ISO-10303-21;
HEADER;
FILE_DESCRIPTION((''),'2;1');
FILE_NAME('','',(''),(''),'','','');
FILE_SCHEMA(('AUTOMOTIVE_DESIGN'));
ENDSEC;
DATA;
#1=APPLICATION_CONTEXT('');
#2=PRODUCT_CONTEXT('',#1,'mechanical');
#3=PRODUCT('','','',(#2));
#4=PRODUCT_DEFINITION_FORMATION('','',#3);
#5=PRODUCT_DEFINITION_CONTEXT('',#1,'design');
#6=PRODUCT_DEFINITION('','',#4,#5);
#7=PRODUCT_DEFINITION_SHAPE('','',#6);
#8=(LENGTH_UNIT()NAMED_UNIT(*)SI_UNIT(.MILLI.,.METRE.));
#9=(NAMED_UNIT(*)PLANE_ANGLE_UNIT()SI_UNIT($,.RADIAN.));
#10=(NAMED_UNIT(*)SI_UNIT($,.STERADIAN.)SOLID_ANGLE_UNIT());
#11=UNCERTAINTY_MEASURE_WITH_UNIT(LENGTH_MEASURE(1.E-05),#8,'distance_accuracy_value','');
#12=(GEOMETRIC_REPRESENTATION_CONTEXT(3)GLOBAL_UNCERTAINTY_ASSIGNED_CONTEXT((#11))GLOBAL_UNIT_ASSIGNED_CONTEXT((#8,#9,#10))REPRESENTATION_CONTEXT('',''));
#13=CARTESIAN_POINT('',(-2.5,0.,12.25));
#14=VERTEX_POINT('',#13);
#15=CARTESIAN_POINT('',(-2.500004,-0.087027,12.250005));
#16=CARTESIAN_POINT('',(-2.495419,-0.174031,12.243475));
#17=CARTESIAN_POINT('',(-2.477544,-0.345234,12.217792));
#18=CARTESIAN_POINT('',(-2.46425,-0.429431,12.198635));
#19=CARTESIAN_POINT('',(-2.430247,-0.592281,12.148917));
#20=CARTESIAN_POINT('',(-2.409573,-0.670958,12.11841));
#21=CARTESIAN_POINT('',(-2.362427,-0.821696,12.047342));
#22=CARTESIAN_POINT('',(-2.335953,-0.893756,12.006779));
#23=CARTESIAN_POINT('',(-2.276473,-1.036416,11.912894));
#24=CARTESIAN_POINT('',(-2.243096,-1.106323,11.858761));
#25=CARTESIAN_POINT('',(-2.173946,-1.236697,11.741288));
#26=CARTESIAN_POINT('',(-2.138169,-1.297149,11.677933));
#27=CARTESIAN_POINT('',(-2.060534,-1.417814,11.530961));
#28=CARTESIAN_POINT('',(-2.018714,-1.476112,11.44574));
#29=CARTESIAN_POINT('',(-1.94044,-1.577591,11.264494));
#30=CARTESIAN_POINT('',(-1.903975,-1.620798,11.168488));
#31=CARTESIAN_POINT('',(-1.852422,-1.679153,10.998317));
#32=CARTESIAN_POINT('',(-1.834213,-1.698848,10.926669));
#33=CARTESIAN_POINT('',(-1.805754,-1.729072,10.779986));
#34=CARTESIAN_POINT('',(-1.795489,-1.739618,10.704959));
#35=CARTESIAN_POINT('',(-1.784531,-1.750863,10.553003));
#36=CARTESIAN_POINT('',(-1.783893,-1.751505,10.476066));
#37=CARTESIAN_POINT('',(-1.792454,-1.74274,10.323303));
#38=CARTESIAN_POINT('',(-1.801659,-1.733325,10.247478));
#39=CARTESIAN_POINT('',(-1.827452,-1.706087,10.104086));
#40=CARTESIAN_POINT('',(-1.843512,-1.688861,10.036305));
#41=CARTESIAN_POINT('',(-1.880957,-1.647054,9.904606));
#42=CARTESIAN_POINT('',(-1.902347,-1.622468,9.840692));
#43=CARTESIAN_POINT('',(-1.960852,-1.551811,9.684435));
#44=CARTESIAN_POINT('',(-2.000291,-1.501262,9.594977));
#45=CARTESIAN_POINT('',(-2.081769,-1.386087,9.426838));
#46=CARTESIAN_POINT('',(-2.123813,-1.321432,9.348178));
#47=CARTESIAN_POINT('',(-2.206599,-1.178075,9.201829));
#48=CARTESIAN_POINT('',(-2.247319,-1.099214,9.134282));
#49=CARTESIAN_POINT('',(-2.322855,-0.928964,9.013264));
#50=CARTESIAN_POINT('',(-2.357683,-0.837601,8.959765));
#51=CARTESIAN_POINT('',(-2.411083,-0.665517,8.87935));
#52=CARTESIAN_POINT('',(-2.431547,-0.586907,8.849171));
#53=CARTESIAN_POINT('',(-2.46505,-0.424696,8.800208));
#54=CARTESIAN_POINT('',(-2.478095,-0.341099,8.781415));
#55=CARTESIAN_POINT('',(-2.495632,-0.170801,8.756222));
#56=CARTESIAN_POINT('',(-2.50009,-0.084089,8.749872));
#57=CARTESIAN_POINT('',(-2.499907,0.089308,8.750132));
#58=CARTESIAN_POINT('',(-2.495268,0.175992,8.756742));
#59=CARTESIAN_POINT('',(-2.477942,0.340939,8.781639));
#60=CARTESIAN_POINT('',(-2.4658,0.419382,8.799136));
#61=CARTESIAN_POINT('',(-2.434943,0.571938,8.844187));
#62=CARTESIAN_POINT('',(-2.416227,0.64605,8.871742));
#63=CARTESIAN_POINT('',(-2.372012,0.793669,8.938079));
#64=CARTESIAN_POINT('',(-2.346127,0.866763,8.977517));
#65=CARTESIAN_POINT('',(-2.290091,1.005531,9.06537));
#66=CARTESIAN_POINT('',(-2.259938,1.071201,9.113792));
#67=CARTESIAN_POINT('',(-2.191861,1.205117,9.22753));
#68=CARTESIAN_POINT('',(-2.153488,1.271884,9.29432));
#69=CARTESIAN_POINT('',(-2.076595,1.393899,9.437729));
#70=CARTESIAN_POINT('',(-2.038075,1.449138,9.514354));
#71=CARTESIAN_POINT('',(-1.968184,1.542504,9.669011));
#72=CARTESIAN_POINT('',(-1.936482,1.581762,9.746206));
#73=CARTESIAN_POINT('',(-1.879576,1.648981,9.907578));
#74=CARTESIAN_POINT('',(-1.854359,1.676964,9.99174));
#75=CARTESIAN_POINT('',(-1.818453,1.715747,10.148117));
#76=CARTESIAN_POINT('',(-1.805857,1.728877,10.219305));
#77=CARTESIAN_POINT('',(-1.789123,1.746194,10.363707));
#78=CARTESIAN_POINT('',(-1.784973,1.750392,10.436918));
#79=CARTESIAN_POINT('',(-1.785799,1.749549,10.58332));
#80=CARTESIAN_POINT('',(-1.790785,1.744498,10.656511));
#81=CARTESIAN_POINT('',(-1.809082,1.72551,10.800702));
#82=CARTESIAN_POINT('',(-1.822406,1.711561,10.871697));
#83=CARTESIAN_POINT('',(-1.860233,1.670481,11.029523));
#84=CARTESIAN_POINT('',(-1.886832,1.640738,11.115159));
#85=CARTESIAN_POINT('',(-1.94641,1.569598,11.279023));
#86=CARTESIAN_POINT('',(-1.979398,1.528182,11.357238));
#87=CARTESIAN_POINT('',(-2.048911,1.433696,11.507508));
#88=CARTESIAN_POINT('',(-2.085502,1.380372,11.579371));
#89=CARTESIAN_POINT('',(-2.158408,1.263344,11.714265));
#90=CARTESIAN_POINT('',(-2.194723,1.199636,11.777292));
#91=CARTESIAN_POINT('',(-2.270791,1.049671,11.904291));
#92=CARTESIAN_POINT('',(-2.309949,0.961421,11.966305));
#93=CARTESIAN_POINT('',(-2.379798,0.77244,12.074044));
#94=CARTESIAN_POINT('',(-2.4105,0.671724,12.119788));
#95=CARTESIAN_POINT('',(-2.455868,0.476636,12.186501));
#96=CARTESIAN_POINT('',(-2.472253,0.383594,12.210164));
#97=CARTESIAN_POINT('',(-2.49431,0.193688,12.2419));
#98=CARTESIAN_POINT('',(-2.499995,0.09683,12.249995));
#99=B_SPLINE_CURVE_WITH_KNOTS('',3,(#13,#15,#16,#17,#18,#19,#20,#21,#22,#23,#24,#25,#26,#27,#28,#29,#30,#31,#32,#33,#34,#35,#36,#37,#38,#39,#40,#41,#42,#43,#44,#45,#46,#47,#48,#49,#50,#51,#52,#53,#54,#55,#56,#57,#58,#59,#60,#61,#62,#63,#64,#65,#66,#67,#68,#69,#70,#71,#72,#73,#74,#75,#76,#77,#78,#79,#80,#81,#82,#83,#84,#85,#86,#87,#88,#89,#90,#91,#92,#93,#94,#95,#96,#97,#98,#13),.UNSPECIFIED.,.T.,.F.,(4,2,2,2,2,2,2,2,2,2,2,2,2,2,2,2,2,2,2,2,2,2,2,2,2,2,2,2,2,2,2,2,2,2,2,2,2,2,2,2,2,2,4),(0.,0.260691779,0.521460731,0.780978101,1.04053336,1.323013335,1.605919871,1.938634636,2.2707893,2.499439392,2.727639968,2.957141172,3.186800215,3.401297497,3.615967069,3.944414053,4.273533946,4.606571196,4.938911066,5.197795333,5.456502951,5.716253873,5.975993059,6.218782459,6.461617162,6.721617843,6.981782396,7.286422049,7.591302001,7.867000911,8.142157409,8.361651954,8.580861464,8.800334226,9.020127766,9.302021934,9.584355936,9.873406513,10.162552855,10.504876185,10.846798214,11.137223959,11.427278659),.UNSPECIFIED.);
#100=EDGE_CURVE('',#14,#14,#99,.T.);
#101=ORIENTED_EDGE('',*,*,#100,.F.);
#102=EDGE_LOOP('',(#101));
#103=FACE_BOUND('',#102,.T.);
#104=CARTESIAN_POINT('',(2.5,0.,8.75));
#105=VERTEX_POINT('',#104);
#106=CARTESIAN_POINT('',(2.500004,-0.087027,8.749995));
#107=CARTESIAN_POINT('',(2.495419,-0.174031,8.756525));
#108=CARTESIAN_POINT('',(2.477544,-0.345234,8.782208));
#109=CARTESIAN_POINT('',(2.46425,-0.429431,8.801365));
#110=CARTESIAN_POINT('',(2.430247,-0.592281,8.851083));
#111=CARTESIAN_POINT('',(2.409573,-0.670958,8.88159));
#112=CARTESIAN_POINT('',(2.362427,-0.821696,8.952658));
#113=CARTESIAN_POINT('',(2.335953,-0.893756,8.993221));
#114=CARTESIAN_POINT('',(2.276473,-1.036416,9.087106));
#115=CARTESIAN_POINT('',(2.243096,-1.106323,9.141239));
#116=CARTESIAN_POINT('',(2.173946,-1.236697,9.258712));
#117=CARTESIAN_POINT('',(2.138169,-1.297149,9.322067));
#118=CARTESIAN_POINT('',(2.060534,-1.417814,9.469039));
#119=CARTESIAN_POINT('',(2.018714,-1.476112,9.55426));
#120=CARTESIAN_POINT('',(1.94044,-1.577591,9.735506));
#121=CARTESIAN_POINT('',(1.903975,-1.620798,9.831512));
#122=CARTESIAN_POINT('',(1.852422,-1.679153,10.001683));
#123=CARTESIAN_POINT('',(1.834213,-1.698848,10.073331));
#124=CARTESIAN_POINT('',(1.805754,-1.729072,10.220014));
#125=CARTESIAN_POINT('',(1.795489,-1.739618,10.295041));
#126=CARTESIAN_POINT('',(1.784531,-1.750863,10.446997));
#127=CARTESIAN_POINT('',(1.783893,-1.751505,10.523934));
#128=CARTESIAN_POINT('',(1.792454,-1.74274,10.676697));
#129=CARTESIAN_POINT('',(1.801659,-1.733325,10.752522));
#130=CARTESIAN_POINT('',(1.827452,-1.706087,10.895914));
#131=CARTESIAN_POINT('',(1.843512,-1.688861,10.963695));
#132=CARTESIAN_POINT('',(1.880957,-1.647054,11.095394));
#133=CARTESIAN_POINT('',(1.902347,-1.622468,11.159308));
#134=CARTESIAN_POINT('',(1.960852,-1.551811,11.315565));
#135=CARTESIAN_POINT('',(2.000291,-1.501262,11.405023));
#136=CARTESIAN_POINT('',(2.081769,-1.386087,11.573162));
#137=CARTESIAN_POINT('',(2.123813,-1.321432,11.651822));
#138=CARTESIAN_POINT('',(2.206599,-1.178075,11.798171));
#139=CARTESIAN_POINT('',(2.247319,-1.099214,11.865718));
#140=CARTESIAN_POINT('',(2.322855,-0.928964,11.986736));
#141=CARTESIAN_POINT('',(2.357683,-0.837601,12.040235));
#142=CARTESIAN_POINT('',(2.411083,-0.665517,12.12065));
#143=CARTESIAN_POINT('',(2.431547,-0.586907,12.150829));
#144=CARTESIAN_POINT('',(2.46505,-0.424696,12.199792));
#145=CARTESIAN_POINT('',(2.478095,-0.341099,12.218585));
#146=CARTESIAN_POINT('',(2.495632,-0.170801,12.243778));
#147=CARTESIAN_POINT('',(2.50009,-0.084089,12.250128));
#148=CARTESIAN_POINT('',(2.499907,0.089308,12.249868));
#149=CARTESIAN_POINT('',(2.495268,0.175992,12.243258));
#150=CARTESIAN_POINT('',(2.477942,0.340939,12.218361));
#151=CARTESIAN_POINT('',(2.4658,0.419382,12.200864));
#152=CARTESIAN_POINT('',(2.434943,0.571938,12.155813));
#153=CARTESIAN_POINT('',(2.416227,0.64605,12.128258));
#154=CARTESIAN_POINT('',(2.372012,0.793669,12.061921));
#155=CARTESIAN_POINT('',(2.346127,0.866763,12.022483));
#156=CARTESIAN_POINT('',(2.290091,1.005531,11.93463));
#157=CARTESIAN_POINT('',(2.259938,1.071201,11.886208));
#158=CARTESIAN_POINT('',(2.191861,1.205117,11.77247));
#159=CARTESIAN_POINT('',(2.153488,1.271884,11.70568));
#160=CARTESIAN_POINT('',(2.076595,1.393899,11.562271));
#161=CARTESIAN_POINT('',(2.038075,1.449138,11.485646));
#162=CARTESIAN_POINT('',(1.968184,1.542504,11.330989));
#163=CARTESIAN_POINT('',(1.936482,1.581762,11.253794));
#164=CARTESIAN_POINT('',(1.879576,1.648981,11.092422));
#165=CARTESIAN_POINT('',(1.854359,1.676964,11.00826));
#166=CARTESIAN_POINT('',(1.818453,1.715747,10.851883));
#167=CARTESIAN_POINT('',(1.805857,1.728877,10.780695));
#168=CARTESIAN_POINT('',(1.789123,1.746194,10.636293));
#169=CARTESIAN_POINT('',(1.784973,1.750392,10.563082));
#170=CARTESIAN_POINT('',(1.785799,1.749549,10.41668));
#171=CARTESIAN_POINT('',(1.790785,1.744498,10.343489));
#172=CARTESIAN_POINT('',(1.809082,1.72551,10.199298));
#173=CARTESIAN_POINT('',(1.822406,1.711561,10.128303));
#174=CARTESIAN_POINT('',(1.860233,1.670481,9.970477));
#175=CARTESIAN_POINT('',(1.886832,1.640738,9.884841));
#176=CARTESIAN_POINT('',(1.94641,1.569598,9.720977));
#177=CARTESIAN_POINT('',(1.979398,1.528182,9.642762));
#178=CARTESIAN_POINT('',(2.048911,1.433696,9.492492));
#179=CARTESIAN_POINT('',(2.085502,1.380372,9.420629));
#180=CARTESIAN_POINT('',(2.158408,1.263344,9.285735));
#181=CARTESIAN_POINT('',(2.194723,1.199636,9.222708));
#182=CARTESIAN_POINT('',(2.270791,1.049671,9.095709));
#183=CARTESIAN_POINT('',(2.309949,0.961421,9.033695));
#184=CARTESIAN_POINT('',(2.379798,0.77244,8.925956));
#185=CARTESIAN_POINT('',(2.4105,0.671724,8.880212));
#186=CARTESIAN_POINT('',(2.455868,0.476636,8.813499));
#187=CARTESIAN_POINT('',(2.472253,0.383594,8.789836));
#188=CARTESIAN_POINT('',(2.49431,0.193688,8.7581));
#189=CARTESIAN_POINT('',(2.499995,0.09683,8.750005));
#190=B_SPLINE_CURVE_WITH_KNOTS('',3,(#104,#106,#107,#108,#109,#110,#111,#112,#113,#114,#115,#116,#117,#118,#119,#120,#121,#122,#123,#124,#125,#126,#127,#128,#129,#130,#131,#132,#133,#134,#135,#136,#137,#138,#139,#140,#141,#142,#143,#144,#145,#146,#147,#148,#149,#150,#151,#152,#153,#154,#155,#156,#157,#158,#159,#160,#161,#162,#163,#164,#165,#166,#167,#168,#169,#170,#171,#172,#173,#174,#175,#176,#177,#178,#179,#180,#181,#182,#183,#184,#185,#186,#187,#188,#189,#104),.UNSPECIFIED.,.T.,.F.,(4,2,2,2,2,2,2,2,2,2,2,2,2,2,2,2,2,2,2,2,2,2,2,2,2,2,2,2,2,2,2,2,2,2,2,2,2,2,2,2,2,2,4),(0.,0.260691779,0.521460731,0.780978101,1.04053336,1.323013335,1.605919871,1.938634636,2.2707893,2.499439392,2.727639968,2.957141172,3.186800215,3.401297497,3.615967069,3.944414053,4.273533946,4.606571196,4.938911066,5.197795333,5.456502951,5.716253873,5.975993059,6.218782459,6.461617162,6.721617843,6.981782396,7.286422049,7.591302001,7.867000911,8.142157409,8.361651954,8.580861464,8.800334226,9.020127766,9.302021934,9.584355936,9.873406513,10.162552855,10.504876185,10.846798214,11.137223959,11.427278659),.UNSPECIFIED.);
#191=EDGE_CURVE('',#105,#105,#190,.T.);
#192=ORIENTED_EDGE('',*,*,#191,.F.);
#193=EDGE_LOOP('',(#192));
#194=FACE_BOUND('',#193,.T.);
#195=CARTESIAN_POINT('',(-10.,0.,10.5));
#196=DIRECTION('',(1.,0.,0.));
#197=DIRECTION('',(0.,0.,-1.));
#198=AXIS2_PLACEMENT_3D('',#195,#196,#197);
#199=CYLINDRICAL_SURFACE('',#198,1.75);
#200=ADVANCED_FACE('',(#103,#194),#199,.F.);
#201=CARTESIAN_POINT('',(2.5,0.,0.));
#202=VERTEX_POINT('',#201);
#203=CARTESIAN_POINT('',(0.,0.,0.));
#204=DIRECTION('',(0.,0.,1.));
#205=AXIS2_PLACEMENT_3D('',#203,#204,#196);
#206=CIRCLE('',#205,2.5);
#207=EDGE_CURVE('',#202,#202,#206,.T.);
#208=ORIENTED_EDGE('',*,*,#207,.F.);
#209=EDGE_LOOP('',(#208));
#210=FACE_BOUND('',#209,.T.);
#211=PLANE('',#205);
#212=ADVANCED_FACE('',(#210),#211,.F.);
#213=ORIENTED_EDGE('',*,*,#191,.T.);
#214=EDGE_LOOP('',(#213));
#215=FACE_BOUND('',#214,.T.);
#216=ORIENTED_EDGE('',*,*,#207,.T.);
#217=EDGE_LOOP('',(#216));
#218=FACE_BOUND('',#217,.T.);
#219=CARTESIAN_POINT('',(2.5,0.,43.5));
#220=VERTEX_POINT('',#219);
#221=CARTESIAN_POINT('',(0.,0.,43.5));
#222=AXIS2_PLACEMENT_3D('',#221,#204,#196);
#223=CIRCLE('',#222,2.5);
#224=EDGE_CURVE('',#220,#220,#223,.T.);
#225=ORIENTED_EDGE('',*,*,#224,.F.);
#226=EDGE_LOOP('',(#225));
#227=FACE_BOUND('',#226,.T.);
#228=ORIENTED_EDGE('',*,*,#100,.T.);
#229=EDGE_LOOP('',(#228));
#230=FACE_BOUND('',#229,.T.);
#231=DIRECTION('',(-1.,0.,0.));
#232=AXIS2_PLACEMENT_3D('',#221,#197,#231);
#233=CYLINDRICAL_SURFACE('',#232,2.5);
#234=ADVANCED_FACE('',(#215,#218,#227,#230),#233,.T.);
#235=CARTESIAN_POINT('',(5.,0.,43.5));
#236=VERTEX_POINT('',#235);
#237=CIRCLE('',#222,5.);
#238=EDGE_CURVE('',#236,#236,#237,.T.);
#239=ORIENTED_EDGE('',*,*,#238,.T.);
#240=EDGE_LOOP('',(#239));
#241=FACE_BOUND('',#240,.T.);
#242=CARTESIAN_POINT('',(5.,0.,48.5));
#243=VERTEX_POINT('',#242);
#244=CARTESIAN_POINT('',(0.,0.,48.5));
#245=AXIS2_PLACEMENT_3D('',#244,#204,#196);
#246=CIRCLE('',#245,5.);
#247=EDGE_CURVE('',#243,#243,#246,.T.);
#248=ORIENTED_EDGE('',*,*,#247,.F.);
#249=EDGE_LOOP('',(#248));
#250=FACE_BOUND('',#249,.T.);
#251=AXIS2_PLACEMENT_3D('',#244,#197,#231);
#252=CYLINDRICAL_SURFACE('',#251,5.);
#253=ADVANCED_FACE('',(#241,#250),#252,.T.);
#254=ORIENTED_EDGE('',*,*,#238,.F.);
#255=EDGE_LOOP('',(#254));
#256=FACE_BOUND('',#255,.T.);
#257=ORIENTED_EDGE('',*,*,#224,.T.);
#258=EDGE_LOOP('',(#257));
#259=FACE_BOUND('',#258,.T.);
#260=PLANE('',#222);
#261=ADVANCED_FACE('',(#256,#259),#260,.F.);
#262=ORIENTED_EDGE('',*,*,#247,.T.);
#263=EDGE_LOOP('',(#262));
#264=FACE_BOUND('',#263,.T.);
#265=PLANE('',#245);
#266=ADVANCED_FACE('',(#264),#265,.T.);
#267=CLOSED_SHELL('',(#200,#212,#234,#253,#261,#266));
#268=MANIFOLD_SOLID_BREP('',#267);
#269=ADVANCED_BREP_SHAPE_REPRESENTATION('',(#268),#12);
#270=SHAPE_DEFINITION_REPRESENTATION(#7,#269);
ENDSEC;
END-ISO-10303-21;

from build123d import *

# Parameters (mm, degrees)
SKETCH1_R           = 2.5
BOSS_EXTRUDE1_DEPTH = 43.5
SKETCH2_R           = 5
BOSS_EXTRUDE2_DEPTH = 5
CUT_EXTRUDE2_START  = 10
SKETCH3_R           = 1.75
CUT_EXTRUDE2_DEPTH  = 20


with BuildPart() as part:
    # Sketch1 → Boss-Extrude1 (new body)
    with BuildSketch(Plane.XY):
        Circle(SKETCH1_R)
    extrude(amount=BOSS_EXTRUDE1_DEPTH)

    # Sketch2 → Boss-Extrude2 (add)
    with BuildSketch(Plane.XY.offset(43.5)):
        Circle(SKETCH2_R)
    extrude(amount=BOSS_EXTRUDE2_DEPTH)

    # Sketch3 → Cut-Extrude2 (cut)
    with BuildSketch(Plane(origin=(0, 0, 0), x_dir=(0, 0, -1), z_dir=(1, 0, 0)).offset(CUT_EXTRUDE2_START)):
        with Locations(Location((-10.5, 0, 0), (0, 0, 180))):
            Circle(SKETCH3_R)
    extrude(amount=-CUT_EXTRUDE2_DEPTH, mode=Mode.SUBTRACT)


solid = part.part
